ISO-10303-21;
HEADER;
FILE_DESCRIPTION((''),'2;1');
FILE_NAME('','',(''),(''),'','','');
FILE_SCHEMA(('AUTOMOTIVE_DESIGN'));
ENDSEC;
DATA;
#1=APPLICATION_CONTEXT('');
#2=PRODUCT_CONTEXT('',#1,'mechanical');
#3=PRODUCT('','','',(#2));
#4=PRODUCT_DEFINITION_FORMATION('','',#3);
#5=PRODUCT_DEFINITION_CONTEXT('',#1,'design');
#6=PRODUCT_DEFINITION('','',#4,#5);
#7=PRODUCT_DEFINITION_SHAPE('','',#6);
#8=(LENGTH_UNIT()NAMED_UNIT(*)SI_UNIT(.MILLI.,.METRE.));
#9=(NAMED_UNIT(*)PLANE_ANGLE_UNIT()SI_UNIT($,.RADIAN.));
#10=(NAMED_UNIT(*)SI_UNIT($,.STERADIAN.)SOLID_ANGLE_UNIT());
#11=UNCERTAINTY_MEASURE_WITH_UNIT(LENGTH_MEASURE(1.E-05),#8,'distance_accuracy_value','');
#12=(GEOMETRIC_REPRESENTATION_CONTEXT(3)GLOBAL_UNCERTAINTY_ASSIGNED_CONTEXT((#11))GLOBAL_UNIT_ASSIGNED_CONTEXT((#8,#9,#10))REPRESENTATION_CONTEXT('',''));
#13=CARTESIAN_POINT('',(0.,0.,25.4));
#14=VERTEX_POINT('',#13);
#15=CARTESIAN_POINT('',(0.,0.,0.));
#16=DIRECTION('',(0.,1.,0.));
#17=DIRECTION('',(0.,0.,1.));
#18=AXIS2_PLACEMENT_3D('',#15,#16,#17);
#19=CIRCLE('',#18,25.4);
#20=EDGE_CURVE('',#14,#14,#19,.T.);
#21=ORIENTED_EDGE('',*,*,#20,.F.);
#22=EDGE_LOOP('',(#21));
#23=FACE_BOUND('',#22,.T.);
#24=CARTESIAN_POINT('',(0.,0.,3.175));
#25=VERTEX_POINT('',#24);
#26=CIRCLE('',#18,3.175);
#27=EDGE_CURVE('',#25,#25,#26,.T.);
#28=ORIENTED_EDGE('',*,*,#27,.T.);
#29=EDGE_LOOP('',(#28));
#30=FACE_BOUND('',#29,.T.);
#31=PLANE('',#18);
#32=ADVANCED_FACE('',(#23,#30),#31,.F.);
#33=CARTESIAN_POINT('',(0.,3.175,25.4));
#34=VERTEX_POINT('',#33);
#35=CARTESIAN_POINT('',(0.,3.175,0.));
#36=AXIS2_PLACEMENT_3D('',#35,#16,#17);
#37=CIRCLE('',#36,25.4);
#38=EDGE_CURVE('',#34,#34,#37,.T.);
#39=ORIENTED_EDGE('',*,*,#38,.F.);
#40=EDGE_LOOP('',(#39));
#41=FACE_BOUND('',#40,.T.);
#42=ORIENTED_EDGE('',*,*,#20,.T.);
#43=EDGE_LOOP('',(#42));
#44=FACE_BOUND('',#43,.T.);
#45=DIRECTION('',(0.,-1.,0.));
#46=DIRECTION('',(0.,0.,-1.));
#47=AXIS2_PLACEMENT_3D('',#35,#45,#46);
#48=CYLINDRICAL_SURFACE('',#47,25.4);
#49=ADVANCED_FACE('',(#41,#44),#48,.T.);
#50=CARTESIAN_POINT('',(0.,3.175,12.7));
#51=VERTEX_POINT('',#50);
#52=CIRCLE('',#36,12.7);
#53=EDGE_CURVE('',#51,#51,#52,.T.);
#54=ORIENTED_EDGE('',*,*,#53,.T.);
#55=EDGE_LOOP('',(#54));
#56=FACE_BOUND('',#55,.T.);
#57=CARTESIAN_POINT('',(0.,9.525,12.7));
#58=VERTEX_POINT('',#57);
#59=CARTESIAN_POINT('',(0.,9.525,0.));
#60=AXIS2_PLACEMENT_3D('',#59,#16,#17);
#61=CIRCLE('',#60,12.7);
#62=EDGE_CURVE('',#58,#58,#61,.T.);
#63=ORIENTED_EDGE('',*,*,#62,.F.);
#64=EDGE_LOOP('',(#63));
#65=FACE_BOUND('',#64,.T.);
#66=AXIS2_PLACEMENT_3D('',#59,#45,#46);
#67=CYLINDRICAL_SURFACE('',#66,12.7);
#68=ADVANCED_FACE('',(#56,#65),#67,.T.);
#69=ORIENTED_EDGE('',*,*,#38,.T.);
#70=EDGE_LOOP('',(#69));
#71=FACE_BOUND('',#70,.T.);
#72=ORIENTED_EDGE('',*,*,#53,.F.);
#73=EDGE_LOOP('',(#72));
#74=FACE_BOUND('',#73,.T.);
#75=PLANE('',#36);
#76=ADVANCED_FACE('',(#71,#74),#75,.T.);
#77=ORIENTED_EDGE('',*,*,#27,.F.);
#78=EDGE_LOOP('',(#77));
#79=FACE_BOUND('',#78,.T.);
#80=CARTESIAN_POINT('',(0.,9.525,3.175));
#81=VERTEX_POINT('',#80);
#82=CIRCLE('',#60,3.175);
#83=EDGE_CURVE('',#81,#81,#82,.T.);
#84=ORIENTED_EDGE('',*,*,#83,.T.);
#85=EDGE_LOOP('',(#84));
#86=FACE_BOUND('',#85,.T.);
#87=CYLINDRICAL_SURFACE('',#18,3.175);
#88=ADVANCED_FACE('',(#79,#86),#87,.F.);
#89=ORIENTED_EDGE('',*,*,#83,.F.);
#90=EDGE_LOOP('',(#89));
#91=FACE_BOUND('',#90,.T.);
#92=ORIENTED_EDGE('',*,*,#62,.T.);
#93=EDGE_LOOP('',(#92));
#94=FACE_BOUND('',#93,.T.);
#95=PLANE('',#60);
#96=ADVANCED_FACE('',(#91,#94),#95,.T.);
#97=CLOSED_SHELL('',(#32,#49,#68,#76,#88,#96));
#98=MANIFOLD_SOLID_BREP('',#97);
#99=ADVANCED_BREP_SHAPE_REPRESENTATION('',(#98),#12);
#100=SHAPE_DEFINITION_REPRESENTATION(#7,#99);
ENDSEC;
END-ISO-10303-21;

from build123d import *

# Parameters (mm, degrees)
SKETCH1_R           = 25.4
BOSS_EXTRUDE1_DEPTH = 3.175
SKETCH2_R           = 12.7
BOSS_EXTRUDE2_DEPTH = 6.35
SKETCH3_R           = 3.175
CUT_EXTRUDE1_DEPTH  = 38.162422217


with BuildPart() as part:
    # Sketch1 → Boss-Extrude1 (new body)
    with BuildSketch(Plane(origin=(0, 0, 0), x_dir=(1, 0, 0), z_dir=(0, 1, 0))):
        with Locations(Location((0, 0, 0), (0, 0, 270))):
            Circle(SKETCH1_R)
    extrude(amount=BOSS_EXTRUDE1_DEPTH)

    # Sketch2 → Boss-Extrude2 (add)
    with BuildSketch(Plane(origin=(0, 3.175, 0), x_dir=(1, 0, 0), z_dir=(0, 1, 0))):
        with Locations(Location((0, 0, 0), (0, 0, 270))):
            Circle(SKETCH2_R)
    extrude(amount=BOSS_EXTRUDE2_DEPTH)

    # Sketch3 → Cut-Extrude1 (cut, through all)
    with BuildSketch(Plane(origin=(0, 9.525, 0), x_dir=(1, 0, 0), z_dir=(0, 1, 0))):
        with Locations(Location((0, 0, 0), (0, 0, 270))):
            Circle(SKETCH3_R)
    extrude(amount=-CUT_EXTRUDE1_DEPTH, mode=Mode.SUBTRACT)


solid = part.part
